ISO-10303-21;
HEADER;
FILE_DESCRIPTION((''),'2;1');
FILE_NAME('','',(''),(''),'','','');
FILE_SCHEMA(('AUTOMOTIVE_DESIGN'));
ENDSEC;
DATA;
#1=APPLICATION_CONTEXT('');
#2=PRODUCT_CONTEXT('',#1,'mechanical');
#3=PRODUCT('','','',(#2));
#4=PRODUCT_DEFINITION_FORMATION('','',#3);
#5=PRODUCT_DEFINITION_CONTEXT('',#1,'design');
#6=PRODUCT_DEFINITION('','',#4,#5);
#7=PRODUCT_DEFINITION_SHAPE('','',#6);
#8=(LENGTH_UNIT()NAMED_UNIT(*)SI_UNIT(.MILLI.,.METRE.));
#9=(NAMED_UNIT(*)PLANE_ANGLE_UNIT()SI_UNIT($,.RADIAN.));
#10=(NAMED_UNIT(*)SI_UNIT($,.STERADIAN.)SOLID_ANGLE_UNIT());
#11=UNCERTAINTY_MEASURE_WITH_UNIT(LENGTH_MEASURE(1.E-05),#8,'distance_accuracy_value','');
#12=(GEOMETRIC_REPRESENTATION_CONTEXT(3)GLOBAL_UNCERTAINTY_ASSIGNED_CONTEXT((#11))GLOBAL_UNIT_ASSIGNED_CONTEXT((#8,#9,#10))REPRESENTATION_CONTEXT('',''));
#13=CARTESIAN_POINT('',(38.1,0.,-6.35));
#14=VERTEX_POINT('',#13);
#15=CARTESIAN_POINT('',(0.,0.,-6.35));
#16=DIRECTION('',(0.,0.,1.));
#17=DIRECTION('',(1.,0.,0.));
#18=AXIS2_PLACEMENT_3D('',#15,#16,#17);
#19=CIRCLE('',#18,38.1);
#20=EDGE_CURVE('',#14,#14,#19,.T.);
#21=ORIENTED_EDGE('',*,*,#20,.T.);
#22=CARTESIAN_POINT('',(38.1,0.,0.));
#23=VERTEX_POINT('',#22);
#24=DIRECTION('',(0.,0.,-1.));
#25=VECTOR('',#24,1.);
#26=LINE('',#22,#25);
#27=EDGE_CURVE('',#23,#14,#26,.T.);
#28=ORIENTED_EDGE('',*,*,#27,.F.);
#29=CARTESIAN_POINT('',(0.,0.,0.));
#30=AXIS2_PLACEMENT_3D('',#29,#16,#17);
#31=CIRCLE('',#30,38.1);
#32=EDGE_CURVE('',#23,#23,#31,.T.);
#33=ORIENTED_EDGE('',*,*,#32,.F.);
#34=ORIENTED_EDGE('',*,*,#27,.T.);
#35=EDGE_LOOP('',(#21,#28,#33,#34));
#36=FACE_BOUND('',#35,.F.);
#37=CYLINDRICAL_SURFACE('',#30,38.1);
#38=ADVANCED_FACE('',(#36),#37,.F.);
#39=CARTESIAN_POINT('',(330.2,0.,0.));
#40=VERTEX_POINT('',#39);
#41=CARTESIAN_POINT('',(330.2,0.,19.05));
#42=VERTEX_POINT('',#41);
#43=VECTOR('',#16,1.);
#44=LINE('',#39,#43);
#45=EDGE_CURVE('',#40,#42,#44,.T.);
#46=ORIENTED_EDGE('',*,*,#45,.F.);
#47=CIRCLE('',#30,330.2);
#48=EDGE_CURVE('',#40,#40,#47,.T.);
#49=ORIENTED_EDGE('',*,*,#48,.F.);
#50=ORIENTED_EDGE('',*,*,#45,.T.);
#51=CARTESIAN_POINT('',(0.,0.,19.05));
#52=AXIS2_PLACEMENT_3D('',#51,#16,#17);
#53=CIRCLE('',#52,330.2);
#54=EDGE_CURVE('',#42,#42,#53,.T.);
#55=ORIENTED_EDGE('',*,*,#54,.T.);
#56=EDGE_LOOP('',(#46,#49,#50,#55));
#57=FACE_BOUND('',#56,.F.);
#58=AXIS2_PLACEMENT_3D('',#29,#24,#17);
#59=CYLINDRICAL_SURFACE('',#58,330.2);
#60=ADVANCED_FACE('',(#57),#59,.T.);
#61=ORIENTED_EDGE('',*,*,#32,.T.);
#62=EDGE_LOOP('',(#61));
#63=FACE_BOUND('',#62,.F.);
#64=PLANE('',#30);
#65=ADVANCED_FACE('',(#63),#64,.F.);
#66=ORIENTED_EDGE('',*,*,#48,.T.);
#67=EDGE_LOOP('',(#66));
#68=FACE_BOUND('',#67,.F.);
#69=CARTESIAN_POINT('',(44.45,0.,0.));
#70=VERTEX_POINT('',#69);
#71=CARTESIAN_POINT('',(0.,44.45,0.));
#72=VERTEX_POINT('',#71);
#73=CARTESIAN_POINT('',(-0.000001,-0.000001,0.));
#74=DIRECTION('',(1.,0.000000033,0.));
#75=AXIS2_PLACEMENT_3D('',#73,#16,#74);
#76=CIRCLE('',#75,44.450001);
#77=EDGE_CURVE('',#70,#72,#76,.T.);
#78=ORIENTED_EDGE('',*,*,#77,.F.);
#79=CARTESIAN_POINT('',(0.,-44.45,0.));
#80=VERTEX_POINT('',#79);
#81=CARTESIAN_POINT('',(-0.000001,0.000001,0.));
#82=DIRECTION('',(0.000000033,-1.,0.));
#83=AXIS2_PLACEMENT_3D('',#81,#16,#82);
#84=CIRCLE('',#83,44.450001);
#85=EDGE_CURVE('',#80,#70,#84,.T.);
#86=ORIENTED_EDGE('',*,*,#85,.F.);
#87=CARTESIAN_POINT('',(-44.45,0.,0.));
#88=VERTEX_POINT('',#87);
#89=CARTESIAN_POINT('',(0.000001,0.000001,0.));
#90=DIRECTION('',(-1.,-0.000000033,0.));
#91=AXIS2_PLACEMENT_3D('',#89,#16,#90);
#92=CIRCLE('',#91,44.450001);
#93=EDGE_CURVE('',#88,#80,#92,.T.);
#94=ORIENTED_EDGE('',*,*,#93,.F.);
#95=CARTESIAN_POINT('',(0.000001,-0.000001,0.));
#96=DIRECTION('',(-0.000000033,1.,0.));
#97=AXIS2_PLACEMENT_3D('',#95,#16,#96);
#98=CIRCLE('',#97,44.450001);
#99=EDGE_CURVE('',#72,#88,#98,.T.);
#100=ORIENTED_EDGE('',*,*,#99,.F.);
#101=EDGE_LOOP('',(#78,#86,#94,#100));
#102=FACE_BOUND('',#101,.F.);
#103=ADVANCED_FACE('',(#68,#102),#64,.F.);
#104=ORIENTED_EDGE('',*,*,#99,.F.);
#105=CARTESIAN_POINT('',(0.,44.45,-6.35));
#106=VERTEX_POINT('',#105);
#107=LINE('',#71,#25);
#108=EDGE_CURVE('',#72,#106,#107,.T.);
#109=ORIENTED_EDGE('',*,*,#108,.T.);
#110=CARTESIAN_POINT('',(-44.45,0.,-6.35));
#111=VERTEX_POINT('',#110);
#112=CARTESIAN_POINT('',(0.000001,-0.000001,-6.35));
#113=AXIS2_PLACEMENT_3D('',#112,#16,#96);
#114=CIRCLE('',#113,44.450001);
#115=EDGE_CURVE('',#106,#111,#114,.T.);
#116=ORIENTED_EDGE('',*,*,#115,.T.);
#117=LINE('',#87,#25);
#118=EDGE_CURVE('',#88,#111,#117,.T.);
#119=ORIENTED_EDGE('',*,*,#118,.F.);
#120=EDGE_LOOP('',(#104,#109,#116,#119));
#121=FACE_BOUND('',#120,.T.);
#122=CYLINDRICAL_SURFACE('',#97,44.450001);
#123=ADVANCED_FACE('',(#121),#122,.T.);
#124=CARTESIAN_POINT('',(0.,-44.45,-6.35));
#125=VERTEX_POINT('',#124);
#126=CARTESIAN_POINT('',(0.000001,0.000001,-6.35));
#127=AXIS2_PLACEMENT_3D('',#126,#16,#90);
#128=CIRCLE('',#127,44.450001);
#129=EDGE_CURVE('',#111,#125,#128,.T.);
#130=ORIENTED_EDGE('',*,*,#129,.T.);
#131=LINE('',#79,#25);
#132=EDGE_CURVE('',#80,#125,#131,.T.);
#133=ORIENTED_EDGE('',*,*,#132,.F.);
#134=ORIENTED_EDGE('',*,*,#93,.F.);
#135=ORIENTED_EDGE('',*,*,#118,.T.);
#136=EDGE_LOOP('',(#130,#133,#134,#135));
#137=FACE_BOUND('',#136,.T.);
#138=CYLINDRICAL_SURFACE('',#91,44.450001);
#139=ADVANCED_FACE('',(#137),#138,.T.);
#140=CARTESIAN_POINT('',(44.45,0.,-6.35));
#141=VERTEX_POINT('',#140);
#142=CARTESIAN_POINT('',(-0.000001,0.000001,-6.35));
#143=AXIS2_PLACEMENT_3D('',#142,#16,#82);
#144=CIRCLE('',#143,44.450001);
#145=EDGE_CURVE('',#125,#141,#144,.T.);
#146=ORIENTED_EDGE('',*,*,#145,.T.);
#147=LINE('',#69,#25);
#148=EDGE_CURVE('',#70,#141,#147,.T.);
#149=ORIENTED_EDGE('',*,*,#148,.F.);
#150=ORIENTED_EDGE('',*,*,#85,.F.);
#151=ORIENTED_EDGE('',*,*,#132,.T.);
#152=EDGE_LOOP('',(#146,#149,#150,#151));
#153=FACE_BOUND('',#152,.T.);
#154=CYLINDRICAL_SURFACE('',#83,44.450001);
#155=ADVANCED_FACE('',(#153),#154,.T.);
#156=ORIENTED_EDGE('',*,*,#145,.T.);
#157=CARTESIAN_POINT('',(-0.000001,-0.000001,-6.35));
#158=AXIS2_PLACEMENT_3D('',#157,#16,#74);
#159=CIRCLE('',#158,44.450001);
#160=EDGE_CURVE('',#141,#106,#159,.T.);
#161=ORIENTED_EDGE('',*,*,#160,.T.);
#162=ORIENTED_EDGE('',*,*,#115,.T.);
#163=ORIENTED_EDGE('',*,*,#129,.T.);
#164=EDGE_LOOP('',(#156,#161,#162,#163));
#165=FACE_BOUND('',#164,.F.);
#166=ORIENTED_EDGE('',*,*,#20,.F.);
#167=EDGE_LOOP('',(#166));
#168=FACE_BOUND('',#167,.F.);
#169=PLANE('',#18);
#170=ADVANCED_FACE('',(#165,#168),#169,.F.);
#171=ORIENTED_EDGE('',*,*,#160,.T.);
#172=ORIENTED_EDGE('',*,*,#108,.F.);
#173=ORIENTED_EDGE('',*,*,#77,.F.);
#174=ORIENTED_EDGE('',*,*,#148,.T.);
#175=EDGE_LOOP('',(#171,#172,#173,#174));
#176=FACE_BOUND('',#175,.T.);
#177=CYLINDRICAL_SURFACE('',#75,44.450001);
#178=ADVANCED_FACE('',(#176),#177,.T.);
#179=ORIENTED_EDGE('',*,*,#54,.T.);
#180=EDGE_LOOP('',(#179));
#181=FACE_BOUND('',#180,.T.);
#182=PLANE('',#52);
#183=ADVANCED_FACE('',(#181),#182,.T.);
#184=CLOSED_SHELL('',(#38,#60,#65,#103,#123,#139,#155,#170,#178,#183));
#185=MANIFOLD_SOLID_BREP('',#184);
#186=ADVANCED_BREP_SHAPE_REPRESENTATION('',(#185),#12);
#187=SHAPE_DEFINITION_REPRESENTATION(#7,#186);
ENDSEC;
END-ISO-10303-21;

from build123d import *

# Parameters (mm, degrees)
F0_R     = 330.2
F1_DEPTH = 19.05
F2_R     = 38.1
F3_DEPTH = 6.35


with BuildPart() as f1:
    # F0 (on Top) → F1 (new body)
    with BuildSketch(Plane.XY):
        Circle(F0_R)
    extrude(amount=F1_DEPTH)

    # F2 (on Top) → F3 (join)
    with BuildSketch(Plane.XY):
        with BuildLine():
            ThreePointArc((-44.45, 0), (-31.430896, -31.430896), (0, -44.45))
            ThreePointArc((0, -44.45), (31.430896, -31.430896), (44.45, 0))
            ThreePointArc((44.45, 0), (31.430896, 31.430896), (0, 44.45))
            ThreePointArc((0, 44.45), (-31.430896, 31.430896), (-44.45, 0))
        make_face()
        Circle(F2_R, mode=Mode.SUBTRACT)
    extrude(amount=-F3_DEPTH)


solid = f1.part
